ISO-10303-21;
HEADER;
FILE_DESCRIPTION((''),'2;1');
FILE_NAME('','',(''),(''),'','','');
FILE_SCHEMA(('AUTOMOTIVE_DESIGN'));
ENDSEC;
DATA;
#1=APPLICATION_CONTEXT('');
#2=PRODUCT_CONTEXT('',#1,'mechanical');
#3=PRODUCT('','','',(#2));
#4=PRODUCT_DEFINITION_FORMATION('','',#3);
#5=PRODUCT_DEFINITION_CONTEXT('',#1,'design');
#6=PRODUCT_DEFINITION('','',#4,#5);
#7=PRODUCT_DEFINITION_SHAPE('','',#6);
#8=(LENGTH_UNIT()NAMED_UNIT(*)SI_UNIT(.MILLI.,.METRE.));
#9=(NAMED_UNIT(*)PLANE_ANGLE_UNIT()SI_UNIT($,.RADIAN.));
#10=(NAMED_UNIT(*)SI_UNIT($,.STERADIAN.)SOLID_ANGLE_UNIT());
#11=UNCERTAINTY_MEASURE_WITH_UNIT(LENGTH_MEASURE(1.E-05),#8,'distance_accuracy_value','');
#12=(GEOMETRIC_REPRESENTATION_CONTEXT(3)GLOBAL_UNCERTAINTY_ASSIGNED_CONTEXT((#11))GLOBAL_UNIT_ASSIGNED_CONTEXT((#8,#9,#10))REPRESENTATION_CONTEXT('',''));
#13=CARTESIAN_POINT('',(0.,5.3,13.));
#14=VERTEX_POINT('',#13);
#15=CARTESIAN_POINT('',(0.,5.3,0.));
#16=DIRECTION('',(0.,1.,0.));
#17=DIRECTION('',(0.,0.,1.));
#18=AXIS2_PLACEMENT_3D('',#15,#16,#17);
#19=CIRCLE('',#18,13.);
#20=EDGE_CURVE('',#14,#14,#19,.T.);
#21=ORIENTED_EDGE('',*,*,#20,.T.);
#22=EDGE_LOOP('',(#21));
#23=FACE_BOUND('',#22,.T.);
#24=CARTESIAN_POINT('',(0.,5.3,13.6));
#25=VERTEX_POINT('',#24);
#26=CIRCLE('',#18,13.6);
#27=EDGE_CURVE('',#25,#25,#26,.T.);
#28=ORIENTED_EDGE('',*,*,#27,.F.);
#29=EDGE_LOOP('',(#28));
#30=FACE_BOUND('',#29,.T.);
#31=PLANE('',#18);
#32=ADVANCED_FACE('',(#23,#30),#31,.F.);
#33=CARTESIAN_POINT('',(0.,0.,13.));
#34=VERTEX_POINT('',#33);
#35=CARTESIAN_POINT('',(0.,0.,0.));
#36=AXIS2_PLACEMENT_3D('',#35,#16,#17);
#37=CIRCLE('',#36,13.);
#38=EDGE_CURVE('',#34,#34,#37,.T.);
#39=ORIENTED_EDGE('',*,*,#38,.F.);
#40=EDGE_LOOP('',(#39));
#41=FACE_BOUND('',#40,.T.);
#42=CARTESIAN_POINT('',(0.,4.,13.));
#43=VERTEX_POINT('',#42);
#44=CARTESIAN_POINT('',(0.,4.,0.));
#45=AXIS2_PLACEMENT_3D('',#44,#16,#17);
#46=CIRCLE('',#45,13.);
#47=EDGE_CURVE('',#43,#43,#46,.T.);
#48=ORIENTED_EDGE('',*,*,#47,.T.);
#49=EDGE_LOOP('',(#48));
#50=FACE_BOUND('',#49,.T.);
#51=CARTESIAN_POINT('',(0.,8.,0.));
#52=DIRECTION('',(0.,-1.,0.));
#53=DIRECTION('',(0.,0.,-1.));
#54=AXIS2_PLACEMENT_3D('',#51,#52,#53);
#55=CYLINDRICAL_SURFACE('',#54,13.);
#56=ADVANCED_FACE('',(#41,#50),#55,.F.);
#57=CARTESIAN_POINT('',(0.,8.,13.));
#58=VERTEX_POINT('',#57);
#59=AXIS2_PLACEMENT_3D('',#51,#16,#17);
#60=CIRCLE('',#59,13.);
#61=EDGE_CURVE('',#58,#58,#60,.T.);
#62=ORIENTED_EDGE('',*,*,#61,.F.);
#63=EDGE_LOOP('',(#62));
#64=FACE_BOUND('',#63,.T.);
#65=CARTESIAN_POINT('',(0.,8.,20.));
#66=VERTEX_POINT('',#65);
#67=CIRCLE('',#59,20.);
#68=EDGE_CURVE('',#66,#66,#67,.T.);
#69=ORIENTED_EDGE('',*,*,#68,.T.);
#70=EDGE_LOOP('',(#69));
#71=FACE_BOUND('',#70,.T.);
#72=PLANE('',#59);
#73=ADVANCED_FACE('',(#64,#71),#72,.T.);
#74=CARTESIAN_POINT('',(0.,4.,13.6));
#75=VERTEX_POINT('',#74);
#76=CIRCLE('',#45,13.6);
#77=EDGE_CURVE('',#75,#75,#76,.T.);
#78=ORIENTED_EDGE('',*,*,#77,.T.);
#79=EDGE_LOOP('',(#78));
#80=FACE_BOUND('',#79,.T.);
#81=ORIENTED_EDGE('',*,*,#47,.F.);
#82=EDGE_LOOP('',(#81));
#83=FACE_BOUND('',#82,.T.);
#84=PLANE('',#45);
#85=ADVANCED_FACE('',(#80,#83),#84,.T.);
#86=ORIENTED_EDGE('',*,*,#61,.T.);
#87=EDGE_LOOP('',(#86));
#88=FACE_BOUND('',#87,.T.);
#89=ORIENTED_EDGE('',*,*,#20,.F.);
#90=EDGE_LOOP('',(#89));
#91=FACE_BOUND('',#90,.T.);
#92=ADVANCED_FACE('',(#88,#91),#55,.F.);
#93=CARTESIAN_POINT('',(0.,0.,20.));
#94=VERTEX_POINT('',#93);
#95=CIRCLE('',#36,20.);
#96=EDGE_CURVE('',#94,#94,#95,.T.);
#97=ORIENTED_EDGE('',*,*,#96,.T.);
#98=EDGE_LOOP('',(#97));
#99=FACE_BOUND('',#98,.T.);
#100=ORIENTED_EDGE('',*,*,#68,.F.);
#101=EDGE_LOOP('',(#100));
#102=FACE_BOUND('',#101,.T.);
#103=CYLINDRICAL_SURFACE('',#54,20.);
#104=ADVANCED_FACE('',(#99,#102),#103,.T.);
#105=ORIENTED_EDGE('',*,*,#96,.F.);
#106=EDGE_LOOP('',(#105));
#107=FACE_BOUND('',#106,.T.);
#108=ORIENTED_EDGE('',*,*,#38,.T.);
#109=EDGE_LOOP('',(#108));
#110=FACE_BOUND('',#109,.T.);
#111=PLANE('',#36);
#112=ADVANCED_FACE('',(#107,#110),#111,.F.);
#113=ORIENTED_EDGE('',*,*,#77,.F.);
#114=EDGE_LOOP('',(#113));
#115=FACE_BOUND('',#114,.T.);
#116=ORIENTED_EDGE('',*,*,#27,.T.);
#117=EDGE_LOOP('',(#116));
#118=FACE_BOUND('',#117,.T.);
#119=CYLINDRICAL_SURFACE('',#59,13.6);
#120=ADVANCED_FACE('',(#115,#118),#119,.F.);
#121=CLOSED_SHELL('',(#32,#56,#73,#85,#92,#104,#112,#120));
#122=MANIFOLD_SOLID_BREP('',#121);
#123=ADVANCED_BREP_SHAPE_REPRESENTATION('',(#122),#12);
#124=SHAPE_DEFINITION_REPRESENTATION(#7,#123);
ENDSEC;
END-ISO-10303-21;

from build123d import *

# Parameters (mm, degrees)
SKETCH1_R           = 20
SKETCH1_R_2         = 13
BOSS_EXTRUDE1_DEPTH = 8
SKETCH2_W           = 0.6
SKETCH2_H           = 1.3


with BuildPart() as part:
    # Sketch1 → Boss-Extrude1 (new body)
    with BuildSketch(Plane(origin=(0, 0, 0), x_dir=(1, 0, 0), z_dir=(0, 1, 0))):
        with Locations(Location((0, 0, 0), (0, 0, 270))):
            Circle(SKETCH1_R)
        with Locations(Location((0, 0, 0), (0, 0, 270))):
            Circle(SKETCH1_R_2, mode=Mode.SUBTRACT)
    extrude(amount=BOSS_EXTRUDE1_DEPTH)

    # Sketch2 → Cut-Revolve1 (revolve, cut)
    with BuildSketch(Plane(origin=(0, 0, 0), x_dir=(0, 0, -1), z_dir=(1, 0, 0)), mode=Mode.PRIVATE) as cut_revolve1_sk:
        with Locations((13.3, 4.65)):
            Rectangle(SKETCH2_W, SKETCH2_H)
    revolve(cut_revolve1_sk.sketch.rotate(Axis((0, 8, 0), (0, -1, 0)), 180), axis=Axis((0, 8, 0), (0, -1, 0)), mode=Mode.SUBTRACT)


solid = part.part
